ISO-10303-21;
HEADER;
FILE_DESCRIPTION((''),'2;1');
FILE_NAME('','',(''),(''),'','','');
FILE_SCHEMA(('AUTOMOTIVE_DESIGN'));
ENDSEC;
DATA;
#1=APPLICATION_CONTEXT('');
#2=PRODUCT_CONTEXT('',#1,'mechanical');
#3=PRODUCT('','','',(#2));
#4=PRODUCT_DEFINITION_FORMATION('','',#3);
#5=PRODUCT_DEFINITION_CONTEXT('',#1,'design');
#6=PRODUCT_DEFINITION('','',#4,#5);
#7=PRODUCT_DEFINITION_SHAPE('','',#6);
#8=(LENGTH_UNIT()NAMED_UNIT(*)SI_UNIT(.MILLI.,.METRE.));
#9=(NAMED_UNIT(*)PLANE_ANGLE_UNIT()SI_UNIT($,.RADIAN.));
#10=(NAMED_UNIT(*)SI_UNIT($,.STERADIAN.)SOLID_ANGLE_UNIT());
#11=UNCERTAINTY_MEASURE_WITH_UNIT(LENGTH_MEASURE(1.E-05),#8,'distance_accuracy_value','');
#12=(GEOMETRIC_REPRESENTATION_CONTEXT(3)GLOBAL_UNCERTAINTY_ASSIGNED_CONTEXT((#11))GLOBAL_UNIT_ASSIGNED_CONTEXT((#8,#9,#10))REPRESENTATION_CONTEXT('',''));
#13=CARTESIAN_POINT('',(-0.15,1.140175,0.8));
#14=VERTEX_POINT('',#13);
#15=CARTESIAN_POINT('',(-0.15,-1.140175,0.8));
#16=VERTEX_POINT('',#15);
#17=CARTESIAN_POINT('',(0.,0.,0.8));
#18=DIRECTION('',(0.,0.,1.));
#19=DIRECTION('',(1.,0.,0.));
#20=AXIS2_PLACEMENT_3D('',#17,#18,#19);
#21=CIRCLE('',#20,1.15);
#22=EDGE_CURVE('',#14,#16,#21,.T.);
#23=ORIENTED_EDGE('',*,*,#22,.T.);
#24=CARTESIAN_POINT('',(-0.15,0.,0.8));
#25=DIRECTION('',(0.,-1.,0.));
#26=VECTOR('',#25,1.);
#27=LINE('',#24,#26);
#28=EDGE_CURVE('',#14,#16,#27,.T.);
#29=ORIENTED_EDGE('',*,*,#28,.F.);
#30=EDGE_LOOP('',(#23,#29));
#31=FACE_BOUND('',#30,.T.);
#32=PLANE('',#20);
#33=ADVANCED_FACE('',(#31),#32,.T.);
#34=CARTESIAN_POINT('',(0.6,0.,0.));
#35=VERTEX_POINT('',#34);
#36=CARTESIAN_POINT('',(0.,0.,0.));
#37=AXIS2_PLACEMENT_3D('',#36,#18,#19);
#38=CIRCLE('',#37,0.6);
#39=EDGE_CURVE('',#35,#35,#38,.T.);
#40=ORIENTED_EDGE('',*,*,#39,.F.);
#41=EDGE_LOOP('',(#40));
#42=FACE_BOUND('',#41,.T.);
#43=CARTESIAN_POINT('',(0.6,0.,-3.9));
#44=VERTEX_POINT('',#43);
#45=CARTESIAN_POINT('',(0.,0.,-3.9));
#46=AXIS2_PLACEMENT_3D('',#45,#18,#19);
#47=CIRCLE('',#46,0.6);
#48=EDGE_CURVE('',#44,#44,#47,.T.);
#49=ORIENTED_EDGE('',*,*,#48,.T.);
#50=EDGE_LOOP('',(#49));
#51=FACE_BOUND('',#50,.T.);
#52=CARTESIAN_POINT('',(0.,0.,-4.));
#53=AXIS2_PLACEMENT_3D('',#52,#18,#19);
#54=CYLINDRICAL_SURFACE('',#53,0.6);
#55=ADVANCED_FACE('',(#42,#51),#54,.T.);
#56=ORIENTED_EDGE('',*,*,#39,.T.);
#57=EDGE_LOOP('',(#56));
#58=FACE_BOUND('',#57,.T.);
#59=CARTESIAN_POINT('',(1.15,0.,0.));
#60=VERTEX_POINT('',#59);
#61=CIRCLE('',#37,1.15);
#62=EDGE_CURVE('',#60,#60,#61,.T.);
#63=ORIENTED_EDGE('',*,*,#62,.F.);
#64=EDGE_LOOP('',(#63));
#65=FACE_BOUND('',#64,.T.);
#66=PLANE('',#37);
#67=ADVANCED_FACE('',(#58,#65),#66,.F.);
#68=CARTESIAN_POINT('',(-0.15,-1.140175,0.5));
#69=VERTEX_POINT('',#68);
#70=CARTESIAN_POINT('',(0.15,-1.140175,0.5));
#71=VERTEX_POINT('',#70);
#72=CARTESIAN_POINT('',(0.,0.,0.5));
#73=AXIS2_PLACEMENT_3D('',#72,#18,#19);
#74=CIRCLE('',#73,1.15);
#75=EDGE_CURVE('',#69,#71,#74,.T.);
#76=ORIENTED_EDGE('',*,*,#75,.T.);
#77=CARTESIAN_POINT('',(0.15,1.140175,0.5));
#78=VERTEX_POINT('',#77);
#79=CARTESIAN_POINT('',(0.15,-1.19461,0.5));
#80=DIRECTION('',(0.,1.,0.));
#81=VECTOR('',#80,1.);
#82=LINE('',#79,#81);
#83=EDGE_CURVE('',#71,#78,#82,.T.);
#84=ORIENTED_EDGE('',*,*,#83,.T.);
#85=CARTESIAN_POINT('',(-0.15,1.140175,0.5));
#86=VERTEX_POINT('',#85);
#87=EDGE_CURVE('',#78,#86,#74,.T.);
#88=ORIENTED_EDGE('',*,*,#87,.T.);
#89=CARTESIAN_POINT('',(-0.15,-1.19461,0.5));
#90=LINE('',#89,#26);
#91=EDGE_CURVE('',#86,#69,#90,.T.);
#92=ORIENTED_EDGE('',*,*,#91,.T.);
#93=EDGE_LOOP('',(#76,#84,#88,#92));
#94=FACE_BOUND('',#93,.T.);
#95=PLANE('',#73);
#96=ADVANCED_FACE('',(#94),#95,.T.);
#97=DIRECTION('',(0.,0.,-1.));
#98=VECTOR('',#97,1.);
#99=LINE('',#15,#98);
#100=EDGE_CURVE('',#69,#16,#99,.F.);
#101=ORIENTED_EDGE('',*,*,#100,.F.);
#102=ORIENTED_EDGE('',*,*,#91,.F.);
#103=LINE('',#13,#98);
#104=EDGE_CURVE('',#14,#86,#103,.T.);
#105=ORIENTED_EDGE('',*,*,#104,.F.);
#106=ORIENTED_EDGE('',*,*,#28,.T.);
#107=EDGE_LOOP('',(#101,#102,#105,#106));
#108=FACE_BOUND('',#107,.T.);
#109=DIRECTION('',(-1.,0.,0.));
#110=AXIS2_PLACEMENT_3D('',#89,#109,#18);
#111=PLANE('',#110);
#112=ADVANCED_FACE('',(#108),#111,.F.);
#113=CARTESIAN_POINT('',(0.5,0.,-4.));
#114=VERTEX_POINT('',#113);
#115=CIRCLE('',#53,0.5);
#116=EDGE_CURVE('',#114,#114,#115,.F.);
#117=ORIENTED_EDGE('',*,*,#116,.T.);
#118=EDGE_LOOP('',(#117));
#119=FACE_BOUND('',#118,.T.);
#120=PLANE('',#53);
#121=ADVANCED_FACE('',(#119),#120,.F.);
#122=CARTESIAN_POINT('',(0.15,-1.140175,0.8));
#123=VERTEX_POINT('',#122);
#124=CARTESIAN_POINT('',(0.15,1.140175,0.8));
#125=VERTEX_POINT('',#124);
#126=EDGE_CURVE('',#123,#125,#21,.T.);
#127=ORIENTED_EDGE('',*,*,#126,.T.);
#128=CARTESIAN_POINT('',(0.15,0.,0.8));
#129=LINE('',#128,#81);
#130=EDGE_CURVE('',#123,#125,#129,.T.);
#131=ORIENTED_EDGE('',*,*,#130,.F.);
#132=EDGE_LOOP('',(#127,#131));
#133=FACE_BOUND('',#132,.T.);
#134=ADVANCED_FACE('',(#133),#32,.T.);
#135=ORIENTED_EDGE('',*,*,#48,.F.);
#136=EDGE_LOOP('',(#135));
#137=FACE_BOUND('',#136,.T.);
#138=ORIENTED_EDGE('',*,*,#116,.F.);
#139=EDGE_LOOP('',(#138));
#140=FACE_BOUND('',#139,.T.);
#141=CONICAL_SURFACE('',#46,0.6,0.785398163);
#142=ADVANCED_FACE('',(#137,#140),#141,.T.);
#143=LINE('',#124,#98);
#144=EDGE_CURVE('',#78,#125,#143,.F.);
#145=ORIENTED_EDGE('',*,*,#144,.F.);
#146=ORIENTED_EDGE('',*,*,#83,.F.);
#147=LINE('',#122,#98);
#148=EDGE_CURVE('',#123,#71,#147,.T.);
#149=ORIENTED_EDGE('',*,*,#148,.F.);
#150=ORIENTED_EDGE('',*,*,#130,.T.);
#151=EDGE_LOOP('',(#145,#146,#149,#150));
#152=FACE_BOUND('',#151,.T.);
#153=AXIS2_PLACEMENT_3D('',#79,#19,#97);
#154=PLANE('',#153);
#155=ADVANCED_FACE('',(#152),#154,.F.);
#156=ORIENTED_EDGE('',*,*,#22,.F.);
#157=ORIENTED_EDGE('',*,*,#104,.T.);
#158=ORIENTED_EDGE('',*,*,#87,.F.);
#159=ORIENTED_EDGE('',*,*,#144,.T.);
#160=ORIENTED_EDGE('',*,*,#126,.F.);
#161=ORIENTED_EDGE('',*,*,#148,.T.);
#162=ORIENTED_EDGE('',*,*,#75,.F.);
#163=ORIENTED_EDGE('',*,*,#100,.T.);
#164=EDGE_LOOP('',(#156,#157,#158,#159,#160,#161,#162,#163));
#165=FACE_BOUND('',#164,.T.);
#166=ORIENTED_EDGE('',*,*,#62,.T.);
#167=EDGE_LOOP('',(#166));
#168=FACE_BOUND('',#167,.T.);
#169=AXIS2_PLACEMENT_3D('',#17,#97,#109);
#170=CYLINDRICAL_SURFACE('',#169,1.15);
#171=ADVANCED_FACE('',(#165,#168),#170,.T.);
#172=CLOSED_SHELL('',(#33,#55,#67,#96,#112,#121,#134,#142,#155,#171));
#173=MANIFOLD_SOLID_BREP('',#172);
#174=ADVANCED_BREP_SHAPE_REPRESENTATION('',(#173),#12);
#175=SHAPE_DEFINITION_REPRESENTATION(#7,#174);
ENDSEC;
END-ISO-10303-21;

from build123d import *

# Parameters (mm, degrees)
SKETCH_1_R          = 1.15
EXTRUDE_1_DEPTH     = 0.8
SKETCH_2_R          = 0.6
EXTRUDE_2_DEPTH     = 4
CHAMFER_1_SIZE      = 0.1
SKETCH_3_W          = 0.3
SKETCH_3_H          = 2.389220408
CUT_EXTRUDE_1_DEPTH = 0.3


with BuildPart() as part:
    # Эскиз1 → Бобышка-Вытянуть1 (new body)
    with BuildSketch(Plane.XY):
        Circle(SKETCH_1_R)
    extrude(amount=EXTRUDE_1_DEPTH)

    # Эскиз2 → Бобышка-Вытянуть2 (add)
    with BuildSketch(Plane.XY):
        Circle(SKETCH_2_R)
    extrude(amount=-EXTRUDE_2_DEPTH)

    # Фаска1
    chamfer_1_edges = [part.edges().sort_by_distance(p)[0] for p in [
        (-0.6, 0, -4),
    ]]
    chamfer(chamfer_1_edges, length=CHAMFER_1_SIZE)

    # Эскиз3 → Вырез-Вытянуть1 (cut)
    with BuildSketch(Plane.XY.offset(0.8)):
        Rectangle(SKETCH_3_W, SKETCH_3_H)
    extrude(amount=-CUT_EXTRUDE_1_DEPTH, mode=Mode.SUBTRACT)


solid = part.part
